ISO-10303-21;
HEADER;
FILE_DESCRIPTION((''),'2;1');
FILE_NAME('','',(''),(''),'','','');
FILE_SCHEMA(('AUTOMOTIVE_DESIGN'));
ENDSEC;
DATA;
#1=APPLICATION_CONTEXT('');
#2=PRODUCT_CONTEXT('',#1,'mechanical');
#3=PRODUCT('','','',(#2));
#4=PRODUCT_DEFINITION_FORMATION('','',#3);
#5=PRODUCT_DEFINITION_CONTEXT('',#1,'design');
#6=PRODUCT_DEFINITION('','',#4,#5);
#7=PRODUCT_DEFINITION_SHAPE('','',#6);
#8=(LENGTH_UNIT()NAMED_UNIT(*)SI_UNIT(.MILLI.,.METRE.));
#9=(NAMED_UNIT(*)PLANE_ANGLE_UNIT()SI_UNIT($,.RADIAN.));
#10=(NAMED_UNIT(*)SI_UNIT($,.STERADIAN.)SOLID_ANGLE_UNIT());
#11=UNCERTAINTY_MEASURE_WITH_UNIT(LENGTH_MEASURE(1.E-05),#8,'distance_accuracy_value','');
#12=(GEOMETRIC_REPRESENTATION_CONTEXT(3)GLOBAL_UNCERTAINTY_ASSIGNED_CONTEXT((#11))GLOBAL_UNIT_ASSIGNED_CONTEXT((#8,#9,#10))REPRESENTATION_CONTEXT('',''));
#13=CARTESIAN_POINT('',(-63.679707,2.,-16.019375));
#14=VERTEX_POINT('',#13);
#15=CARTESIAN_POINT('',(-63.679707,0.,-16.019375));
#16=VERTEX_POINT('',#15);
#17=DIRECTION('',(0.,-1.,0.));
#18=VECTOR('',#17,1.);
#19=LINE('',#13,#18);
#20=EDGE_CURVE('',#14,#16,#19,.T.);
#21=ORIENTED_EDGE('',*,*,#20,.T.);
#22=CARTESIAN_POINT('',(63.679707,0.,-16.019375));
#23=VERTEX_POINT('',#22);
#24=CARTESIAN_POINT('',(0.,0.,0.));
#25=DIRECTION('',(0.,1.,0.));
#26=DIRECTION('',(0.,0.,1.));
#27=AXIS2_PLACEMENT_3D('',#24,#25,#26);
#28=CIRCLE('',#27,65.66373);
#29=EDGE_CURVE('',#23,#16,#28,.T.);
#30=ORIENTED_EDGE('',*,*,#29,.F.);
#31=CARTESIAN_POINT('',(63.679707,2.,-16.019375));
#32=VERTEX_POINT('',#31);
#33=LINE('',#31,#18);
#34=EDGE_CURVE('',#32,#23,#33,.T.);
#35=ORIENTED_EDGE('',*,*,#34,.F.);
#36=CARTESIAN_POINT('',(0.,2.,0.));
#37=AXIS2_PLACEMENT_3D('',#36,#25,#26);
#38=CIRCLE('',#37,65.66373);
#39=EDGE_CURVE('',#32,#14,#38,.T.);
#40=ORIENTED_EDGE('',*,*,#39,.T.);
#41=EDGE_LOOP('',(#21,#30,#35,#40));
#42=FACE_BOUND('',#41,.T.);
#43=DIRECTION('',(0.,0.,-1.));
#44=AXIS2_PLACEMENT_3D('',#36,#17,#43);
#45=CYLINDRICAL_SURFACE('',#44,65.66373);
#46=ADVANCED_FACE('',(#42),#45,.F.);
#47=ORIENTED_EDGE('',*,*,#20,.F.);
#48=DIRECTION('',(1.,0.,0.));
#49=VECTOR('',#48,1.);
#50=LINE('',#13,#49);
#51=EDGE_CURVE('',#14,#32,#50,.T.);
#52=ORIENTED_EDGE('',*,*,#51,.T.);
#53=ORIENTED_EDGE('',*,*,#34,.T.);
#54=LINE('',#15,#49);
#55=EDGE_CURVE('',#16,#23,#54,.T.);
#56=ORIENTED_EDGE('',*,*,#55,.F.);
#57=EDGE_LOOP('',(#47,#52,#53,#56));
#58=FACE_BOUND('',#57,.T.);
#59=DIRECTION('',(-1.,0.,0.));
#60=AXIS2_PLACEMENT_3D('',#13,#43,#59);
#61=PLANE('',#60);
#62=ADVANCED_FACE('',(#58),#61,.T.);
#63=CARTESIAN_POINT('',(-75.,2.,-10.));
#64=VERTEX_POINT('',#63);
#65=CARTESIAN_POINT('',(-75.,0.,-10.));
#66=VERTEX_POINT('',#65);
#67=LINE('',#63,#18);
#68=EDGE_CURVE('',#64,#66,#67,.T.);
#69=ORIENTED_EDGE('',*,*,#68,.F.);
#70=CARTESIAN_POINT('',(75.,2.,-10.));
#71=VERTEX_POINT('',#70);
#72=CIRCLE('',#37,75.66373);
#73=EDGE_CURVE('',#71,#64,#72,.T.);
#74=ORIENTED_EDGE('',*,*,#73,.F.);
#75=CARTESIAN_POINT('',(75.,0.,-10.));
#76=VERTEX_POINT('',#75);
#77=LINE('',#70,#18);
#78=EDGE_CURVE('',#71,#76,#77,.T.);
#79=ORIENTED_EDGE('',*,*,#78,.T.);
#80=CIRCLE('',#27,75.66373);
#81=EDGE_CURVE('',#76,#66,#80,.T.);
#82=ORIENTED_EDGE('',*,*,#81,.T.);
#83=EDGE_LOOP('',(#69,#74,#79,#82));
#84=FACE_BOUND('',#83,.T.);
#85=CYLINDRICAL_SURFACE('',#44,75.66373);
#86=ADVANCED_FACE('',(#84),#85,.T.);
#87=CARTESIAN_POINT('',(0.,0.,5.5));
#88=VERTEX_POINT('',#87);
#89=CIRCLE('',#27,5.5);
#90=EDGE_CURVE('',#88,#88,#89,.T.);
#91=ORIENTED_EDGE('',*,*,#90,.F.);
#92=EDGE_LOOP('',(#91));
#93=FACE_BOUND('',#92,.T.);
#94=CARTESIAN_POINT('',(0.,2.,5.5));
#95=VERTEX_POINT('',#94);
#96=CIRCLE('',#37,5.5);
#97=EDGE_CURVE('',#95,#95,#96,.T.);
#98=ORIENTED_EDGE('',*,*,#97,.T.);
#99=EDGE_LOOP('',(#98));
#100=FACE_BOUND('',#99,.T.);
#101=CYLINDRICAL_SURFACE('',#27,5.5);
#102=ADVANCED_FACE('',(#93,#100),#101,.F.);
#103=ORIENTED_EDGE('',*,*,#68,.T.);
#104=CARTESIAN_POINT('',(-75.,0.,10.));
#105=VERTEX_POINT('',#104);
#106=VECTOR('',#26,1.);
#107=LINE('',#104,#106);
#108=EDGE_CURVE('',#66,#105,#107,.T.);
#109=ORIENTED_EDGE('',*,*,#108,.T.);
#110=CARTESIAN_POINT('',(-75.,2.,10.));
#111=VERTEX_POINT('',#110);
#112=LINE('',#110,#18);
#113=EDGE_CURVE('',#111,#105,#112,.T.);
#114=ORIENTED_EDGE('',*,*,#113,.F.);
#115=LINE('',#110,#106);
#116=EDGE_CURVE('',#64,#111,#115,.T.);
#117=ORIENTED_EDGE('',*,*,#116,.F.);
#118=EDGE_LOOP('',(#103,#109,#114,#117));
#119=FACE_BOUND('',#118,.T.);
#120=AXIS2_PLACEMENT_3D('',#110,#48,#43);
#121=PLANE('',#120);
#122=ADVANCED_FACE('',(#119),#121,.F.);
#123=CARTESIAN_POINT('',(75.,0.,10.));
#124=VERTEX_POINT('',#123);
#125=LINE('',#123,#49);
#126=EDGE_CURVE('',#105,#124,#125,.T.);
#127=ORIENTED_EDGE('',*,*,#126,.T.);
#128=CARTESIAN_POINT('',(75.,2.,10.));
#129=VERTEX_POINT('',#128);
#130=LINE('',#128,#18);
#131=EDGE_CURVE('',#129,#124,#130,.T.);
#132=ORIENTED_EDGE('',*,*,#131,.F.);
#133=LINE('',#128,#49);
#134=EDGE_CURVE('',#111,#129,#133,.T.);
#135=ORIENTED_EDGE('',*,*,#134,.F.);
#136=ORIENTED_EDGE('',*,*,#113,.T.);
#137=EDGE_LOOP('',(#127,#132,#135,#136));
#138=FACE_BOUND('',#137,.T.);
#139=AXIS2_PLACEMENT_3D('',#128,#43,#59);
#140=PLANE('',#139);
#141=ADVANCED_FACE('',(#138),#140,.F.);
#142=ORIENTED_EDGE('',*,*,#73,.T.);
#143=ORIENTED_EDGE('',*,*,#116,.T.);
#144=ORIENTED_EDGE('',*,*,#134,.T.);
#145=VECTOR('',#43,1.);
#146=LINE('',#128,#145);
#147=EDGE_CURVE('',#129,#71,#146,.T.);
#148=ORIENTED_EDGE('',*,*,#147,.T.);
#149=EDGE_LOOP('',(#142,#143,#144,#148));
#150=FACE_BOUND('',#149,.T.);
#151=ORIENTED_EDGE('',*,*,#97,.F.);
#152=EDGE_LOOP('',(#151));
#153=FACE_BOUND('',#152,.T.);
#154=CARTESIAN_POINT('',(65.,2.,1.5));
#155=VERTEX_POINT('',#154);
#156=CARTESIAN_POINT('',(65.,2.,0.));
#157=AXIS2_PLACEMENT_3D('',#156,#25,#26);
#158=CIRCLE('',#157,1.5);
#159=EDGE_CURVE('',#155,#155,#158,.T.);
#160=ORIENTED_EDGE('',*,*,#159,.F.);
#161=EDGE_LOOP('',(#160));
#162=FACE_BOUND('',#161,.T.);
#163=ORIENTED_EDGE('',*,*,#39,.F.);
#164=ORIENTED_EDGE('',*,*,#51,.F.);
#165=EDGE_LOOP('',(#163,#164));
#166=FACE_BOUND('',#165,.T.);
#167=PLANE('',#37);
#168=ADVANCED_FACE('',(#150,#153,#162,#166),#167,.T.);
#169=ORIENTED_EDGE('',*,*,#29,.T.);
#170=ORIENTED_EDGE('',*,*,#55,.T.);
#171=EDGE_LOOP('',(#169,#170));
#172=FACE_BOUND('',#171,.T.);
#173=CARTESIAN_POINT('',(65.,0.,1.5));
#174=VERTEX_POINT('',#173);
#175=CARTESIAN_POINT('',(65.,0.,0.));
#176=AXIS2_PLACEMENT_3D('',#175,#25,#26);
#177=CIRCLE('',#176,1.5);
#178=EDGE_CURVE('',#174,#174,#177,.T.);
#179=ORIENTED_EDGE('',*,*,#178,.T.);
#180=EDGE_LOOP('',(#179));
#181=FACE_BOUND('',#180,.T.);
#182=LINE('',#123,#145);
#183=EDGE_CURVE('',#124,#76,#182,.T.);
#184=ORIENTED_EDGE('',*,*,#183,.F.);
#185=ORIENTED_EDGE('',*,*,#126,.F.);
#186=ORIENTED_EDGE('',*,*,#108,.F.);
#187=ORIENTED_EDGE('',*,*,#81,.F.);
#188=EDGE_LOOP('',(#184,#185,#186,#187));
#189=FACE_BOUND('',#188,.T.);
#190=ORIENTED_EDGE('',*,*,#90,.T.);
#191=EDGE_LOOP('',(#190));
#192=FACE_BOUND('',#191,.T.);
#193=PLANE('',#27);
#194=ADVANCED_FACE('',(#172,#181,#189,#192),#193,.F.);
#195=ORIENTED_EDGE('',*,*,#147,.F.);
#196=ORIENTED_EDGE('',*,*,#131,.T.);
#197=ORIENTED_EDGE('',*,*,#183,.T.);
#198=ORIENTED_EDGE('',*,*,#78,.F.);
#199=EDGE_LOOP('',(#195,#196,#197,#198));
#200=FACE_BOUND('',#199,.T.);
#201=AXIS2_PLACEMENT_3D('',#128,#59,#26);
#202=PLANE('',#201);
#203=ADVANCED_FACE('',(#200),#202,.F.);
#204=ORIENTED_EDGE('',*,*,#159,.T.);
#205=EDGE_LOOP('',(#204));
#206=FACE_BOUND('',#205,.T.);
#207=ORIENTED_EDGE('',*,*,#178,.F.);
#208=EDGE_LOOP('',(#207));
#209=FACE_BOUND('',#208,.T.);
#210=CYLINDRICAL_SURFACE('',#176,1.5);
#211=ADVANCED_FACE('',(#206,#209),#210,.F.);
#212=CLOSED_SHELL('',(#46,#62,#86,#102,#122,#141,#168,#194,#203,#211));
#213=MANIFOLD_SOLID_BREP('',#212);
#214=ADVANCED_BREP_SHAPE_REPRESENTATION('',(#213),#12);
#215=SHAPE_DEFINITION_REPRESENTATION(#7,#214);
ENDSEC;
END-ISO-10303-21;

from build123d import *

# Parameters (mm, degrees)
BOSS_EXTRUDE1_DEPTH = 2
SKETCH2_R           = 5.5
SKETCH2_R_2         = 1.5
CUT_EXTRUDE1_DEPTH  = 2


with BuildPart() as part:
    # Sketch1 → Boss-Extrude1 (new body)
    with BuildSketch(Plane(origin=(0, 0, 0), x_dir=(1, 0, 0), z_dir=(0, 1, 0))):
        with BuildLine():
            Line((75, -10), (-75, -10))
            Line((-75, -10), (-75, 10))
            ThreePointArc((-75, 10), (0, 75.663729752), (75, 10))
            Line((75, 10), (75, -10))
        make_face()
        with BuildLine():
            Line((-63.679706635, 16.019374764), (63.679706635, 16.019374764))
            ThreePointArc((63.679706635, 16.019374764), (0, 65.663729752), (-63.679706635, 16.019374764))
        make_face(mode=Mode.SUBTRACT)
    extrude(amount=BOSS_EXTRUDE1_DEPTH)

    # Sketch2 → Cut-Extrude1 (cut)
    with BuildSketch(Plane(origin=(0, 2, 0), x_dir=(1, 0, 0), z_dir=(0, 1, 0))):
        with Locations(Location((0, 0, 0), (0, 0, 270))):
            Circle(SKETCH2_R)
        with Locations(Location((65, 0, 0), (0, 0, 270))):
            Circle(SKETCH2_R_2)
    extrude(amount=-CUT_EXTRUDE1_DEPTH, mode=Mode.SUBTRACT)


solid = part.part
